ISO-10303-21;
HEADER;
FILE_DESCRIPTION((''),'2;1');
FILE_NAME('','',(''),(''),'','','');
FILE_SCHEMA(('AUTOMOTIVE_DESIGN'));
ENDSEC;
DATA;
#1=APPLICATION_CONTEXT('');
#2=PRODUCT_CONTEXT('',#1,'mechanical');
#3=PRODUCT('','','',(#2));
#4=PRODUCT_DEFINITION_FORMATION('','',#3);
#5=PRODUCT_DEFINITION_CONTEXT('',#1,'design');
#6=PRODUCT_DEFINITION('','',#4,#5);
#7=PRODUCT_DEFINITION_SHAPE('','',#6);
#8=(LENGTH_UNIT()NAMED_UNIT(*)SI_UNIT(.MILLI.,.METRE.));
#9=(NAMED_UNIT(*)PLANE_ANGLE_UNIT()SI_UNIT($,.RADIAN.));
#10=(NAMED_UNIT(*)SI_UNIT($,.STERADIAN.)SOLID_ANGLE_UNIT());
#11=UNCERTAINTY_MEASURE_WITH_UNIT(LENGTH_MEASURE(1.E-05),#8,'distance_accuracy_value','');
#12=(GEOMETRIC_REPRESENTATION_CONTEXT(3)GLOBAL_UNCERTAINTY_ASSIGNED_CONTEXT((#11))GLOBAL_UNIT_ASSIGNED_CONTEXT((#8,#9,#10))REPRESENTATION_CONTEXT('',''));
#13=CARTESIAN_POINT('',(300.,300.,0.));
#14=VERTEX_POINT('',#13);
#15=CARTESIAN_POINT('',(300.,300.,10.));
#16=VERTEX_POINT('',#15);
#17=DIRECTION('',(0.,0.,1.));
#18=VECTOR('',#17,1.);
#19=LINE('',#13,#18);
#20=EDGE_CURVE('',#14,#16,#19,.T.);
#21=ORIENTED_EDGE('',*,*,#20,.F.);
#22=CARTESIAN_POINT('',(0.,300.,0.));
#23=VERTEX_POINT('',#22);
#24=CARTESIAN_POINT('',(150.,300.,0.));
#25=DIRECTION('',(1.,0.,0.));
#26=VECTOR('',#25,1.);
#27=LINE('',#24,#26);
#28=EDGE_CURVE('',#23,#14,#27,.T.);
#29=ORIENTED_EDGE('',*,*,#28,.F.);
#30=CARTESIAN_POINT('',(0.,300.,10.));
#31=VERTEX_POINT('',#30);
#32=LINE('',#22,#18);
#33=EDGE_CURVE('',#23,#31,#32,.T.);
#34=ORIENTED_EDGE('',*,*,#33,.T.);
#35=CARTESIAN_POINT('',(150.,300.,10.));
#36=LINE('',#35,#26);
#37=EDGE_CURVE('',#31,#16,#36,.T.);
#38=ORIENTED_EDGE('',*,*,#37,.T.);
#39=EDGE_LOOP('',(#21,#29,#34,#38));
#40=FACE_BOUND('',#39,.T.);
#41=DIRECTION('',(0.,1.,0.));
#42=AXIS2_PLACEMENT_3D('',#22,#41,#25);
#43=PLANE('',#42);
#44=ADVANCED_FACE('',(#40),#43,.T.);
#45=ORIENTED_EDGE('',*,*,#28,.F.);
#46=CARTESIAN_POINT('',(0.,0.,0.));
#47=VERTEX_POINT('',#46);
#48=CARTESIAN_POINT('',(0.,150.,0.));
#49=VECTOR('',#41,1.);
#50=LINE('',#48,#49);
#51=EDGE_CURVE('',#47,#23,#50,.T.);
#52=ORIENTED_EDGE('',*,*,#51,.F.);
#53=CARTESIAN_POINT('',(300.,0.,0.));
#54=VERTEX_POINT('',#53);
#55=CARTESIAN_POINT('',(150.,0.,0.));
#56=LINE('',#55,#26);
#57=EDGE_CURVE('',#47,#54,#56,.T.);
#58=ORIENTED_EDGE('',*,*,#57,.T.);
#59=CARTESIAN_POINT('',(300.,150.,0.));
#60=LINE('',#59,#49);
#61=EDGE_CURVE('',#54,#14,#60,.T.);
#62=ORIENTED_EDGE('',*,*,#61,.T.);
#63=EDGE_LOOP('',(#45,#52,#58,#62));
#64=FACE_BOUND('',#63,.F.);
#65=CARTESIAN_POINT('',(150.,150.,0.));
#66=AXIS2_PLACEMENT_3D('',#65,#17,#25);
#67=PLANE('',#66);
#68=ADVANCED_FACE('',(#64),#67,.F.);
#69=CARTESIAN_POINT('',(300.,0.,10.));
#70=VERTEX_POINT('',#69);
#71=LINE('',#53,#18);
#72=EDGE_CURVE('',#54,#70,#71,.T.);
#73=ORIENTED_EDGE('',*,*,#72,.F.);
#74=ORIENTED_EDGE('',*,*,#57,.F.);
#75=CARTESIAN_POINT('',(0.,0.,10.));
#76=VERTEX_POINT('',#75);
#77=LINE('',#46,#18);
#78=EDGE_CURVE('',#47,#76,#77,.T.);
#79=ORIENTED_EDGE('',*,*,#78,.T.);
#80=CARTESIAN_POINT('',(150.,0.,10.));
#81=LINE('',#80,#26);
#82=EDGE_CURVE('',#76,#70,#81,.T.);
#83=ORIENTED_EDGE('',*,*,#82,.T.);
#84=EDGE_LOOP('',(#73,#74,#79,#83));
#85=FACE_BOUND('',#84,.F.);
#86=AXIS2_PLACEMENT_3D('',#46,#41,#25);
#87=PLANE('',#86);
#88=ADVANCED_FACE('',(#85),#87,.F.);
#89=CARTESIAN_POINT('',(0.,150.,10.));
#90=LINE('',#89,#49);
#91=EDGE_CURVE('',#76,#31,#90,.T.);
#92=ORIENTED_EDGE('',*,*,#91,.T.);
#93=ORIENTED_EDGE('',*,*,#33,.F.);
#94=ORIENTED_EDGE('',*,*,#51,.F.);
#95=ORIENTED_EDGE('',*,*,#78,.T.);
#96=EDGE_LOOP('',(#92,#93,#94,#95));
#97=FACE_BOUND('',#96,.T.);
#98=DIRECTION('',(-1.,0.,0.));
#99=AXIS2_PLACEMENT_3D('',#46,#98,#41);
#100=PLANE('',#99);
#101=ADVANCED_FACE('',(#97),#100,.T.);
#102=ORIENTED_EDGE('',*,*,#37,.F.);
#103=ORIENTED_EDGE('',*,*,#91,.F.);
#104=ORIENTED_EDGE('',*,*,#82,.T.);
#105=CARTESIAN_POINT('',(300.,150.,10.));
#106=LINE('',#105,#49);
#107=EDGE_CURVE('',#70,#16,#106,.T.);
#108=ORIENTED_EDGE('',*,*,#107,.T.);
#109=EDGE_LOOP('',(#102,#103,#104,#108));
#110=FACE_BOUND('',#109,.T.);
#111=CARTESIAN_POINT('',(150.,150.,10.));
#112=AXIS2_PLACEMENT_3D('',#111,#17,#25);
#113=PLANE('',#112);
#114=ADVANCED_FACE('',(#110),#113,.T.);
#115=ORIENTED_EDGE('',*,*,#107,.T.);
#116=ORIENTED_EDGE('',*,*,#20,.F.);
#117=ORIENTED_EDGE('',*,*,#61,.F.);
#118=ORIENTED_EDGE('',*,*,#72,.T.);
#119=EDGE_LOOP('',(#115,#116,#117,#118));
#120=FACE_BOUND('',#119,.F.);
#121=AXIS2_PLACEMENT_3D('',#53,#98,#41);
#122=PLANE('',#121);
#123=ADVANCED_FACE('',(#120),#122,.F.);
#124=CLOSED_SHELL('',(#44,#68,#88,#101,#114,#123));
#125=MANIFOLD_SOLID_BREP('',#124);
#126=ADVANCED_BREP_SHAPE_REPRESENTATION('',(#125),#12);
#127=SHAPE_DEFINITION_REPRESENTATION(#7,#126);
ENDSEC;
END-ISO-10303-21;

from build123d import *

# Parameters (mm, degrees)
ESQUISSE1_W        = 300
ESQUISSE1_H        = 300
BOSS_EXTRU_1_DEPTH = 10


with BuildPart() as part:
    # Esquisse1 → Boss.-Extru.1 (new body)
    with BuildSketch(Plane.XY):
        with Locations((150, 150)):
            Rectangle(ESQUISSE1_W, ESQUISSE1_H)
    extrude(amount=BOSS_EXTRU_1_DEPTH)


solid = part.part
